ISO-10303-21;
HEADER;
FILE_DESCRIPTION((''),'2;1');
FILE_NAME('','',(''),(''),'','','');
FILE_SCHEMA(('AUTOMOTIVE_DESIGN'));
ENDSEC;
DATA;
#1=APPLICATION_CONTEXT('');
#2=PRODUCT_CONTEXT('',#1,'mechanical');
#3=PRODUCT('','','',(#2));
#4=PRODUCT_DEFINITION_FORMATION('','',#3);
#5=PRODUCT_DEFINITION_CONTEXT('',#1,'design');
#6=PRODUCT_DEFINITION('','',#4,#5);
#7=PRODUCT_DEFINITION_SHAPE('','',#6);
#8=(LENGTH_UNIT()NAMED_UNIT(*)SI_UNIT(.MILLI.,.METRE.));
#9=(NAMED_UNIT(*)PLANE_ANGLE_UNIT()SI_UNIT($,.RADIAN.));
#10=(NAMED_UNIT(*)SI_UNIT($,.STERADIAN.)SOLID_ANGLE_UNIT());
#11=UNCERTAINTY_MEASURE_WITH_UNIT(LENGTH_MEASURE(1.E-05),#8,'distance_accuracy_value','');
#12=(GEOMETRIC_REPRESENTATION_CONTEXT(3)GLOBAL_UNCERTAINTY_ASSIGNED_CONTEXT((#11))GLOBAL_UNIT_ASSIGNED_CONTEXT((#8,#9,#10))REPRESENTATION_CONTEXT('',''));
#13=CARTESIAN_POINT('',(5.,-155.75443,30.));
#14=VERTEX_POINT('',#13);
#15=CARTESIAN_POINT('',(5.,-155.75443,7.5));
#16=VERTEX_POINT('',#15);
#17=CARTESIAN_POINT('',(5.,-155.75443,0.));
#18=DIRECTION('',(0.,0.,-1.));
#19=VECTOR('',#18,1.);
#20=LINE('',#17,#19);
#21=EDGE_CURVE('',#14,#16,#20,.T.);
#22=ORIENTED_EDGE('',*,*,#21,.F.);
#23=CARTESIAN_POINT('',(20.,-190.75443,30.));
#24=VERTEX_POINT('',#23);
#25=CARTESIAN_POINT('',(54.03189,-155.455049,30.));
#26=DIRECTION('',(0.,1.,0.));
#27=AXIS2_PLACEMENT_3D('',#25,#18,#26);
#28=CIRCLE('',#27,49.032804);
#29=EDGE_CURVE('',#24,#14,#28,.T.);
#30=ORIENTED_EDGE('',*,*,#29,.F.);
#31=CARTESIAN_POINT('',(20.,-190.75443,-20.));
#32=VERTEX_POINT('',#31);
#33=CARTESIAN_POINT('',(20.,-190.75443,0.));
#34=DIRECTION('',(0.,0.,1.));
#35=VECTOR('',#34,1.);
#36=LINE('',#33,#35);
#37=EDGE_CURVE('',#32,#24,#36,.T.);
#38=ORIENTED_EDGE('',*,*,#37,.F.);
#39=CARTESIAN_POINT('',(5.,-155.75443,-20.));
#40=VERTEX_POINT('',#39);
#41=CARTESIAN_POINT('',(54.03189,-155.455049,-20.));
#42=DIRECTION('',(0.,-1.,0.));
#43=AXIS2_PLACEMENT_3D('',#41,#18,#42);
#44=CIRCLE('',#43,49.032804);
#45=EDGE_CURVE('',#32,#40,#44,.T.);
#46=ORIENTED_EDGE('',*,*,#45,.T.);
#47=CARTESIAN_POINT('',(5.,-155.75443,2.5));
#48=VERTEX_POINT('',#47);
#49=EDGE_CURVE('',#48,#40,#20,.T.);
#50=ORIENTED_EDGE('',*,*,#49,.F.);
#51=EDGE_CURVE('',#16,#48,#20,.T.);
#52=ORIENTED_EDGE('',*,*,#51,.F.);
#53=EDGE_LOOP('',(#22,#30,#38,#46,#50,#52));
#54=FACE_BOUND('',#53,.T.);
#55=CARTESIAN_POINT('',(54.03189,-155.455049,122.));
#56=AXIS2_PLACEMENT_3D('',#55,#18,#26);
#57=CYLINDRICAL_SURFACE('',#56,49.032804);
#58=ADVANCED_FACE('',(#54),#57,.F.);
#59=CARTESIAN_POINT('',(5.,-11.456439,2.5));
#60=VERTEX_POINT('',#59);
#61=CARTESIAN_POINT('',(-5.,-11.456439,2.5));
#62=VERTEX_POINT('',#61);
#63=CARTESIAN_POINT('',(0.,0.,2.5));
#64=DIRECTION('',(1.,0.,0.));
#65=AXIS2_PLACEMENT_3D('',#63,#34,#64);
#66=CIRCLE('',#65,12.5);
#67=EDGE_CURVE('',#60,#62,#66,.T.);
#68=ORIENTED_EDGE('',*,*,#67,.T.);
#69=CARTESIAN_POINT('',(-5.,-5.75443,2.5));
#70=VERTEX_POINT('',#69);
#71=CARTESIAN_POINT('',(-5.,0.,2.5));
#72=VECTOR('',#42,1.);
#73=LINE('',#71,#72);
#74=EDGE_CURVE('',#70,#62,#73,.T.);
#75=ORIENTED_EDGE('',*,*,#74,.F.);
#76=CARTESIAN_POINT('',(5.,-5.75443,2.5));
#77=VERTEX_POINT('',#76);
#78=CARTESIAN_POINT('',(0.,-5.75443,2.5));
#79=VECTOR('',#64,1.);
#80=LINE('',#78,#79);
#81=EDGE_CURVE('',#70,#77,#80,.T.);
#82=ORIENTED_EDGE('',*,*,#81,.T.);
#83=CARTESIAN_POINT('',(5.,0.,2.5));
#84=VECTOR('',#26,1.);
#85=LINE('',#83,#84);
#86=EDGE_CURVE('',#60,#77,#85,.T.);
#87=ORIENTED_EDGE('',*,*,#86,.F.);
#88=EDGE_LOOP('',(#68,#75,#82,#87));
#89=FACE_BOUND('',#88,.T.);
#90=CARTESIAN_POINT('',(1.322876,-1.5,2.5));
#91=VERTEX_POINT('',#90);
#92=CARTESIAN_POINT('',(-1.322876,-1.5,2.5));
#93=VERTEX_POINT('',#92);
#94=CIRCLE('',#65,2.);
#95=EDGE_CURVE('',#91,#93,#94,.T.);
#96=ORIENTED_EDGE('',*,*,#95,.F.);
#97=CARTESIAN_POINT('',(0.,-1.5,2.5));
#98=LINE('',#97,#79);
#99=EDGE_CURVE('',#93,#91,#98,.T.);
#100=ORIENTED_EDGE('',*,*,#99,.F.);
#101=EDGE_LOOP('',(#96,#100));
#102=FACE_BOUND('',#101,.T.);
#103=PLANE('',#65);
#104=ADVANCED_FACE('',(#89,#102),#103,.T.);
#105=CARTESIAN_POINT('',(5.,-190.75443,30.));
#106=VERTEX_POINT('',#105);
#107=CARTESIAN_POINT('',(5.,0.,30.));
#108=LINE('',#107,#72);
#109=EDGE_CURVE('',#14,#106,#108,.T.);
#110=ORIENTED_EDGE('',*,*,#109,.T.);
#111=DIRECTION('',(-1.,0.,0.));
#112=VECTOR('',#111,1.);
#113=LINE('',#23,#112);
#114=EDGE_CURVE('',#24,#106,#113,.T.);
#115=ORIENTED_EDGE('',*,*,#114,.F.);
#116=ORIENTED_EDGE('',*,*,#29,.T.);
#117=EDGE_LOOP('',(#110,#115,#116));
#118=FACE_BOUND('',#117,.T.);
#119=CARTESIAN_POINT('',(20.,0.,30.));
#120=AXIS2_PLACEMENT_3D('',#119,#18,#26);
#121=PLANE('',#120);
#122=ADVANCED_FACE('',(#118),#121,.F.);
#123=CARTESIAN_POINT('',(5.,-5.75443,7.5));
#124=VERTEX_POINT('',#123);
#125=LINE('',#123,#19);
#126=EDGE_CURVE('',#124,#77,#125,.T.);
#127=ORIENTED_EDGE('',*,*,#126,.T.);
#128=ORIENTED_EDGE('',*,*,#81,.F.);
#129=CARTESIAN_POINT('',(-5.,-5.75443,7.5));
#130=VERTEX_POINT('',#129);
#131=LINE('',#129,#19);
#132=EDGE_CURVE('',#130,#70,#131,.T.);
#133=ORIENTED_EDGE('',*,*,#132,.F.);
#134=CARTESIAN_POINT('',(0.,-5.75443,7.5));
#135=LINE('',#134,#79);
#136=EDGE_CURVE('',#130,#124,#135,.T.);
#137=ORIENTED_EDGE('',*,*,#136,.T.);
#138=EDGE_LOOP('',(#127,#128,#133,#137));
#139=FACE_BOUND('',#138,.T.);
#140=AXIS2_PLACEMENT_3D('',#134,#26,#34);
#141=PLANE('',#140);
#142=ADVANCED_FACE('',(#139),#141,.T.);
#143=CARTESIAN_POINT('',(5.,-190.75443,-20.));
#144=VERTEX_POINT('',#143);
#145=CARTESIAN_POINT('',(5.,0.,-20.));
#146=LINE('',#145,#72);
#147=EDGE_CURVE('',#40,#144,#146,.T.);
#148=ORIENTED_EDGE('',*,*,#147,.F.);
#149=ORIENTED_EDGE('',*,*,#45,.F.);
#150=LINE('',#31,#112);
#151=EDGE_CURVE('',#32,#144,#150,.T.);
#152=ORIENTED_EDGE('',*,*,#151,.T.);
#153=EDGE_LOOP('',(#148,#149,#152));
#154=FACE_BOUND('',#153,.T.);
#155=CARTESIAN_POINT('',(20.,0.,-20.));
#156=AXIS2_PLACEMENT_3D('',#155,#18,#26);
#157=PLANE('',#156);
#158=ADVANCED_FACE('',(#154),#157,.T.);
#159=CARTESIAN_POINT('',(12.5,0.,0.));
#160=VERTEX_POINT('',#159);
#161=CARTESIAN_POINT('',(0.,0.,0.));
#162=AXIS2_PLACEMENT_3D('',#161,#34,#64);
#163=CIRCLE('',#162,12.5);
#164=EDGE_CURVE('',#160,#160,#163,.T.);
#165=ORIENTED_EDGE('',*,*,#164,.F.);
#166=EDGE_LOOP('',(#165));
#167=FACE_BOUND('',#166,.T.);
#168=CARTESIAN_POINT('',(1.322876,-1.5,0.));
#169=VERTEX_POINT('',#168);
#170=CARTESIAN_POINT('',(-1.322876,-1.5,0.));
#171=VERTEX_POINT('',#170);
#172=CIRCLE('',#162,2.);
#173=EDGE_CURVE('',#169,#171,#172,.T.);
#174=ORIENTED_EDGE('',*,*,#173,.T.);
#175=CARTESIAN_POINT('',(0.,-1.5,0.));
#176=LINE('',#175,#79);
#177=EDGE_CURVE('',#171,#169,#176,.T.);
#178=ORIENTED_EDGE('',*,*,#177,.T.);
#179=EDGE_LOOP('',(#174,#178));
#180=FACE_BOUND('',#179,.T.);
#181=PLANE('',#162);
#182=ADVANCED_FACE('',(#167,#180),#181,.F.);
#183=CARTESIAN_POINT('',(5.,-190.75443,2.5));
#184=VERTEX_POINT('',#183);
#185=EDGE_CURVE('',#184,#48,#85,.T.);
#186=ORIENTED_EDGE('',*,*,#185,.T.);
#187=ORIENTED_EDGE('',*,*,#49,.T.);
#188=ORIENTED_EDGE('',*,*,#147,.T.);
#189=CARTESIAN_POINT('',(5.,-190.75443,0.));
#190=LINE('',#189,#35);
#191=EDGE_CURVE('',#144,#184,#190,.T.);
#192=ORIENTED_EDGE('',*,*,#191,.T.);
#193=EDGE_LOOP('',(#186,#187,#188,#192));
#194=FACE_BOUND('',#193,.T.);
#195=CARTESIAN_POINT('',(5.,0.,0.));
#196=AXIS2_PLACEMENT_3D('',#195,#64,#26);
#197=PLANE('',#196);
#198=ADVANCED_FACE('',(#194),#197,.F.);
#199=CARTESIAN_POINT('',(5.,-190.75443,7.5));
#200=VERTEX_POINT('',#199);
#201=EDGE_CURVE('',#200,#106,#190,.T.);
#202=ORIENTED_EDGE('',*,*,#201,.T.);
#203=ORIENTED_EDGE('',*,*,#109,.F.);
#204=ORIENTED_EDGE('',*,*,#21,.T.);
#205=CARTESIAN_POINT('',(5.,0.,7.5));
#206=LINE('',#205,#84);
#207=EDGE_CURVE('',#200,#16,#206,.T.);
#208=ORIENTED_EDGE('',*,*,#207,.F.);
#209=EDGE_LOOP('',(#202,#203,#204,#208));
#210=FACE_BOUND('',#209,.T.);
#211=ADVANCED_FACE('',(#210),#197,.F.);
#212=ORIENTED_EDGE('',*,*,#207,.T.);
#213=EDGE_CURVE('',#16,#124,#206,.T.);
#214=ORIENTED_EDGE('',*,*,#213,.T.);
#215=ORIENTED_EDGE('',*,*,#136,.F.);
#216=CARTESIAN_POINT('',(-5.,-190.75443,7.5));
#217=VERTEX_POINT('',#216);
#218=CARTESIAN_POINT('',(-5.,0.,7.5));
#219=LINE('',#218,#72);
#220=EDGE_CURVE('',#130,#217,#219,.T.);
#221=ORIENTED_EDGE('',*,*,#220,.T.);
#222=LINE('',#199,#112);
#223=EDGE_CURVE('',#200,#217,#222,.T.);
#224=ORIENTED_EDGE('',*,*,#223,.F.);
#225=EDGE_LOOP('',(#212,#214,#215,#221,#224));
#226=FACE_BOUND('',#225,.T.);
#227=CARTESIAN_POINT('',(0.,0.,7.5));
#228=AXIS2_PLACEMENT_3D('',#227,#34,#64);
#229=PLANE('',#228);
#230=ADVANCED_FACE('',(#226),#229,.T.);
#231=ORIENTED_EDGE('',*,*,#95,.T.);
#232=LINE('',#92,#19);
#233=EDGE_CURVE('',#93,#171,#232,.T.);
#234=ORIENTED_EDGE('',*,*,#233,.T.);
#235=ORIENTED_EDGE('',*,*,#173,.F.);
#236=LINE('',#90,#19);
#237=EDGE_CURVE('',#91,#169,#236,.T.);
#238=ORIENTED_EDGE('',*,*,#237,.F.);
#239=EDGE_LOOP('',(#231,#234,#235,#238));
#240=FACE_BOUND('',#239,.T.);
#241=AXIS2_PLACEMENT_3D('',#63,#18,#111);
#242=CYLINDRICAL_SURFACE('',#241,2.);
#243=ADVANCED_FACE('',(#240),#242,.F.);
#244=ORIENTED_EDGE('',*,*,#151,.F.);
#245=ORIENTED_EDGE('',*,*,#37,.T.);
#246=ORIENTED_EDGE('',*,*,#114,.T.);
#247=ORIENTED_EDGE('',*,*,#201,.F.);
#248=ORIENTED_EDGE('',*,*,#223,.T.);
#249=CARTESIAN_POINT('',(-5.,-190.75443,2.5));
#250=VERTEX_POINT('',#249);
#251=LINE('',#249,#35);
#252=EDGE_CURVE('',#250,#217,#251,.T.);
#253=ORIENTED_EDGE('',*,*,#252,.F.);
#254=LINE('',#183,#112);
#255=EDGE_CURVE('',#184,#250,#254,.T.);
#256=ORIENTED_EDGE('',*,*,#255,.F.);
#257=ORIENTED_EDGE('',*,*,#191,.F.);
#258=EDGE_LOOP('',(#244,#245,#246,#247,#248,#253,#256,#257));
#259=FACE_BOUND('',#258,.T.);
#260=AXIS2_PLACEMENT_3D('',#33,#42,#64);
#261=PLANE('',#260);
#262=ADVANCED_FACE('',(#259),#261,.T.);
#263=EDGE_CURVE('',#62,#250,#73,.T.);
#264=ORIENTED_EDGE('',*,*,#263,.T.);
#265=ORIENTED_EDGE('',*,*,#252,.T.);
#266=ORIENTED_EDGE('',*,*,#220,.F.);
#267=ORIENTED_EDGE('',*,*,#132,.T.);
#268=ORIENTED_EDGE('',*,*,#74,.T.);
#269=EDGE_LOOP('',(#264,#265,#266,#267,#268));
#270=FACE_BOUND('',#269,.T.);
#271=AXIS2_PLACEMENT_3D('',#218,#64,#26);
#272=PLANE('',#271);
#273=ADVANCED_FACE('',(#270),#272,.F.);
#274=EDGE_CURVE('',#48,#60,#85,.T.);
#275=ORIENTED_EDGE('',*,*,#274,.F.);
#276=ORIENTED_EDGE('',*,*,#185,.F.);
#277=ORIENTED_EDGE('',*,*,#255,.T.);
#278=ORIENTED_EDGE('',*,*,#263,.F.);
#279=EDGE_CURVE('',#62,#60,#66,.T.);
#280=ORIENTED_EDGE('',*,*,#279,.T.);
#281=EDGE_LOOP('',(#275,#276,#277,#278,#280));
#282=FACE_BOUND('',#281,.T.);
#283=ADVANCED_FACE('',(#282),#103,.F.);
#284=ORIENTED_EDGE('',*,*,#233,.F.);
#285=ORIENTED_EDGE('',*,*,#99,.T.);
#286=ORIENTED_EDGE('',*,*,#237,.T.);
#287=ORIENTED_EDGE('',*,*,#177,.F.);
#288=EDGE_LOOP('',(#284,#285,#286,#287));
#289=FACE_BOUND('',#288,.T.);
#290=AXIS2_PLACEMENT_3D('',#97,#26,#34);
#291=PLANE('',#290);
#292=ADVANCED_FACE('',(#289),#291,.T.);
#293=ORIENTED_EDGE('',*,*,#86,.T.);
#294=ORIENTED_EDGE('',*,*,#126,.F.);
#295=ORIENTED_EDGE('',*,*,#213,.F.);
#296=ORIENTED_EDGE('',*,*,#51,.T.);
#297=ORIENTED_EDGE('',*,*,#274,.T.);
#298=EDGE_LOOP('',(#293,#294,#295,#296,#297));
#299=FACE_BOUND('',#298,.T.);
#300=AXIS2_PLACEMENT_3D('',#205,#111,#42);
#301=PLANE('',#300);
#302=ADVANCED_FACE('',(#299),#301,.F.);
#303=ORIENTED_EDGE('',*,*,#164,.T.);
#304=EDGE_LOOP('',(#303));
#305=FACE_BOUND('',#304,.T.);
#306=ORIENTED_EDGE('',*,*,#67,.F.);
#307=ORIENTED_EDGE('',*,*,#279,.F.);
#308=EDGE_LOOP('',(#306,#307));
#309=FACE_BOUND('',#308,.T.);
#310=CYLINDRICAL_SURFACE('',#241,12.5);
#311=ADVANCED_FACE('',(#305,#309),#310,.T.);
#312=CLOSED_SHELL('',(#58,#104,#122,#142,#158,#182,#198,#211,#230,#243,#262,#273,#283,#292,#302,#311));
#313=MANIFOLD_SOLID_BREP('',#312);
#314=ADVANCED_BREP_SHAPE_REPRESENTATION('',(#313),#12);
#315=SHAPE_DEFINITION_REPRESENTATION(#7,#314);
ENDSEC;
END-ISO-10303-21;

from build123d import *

# Parameters (mm, degrees)
SKETCH2_R           = 12.5
BOSS_EXTRUDE1_DEPTH = 2.5
BOSS_EXTRUDE2_DEPTH = 5
BOSS_EXTRUDE3_DEPTH = 15
SKETCH9_W           = 5
SKETCH9_H           = 25
BOSS_EXTRUDE4_DEPTH = 10
CUT_EXTRUDE1_DEPTH  = 142


with BuildPart() as part:
    # Sketch2 → Boss-Extrude1 (new body)
    with BuildSketch(Plane.XY):
        Circle(SKETCH2_R)
        with BuildLine():
            ThreePointArc((1.322875656, -1.5), (0, 2), (-1.322875656, -1.5))
            Line((-1.322875656, -1.5), (0, -1.5))
            Line((0, -1.5), (1.322875656, -1.5))
        make_face(mode=Mode.SUBTRACT)
    extrude(amount=BOSS_EXTRUDE1_DEPTH)

    # Sketch4 → Boss-Extrude2 (add)
    with BuildSketch(Plane.XY.offset(2.5)):
        Polygon((-5, -165.75443039), (5, -165.75443039), (5, -5.75443039), (0, -5.75443039), (-5, -5.75443039), align=None)
    extrude(amount=BOSS_EXTRUDE2_DEPTH)

    # Sketch5 → Boss-Extrude3 (add)
    with BuildSketch(Plane(origin=(5, 0, 0), x_dir=(0, 0, -1), z_dir=(1, 0, 0))):
        Polygon((20, -155.75443039), (-5, -155.75443039), (-30, -155.75443039), (-30, -190.75443039), (-5, -190.75443039), (20, -190.75443039), align=None)
    extrude(amount=BOSS_EXTRUDE3_DEPTH)

    # Sketch9 → Boss-Extrude4 (add)
    with BuildSketch(Plane.ZY.offset(5)):
        with Locations((5, -178.25443039)):
            Rectangle(SKETCH9_W, SKETCH9_H)
    extrude(amount=-BOSS_EXTRUDE4_DEPTH)

    # Sketch6 → Cut-Extrude1 (cut)
    with BuildSketch(Plane(origin=(0, 0, -20), x_dir=(-1, 0, 0), z_dir=(0, 0, -1))):
        with BuildLine():
            Line((-5, -155.75443039), (-20, -155.75443039))
            Line((-20, -155.75443039), (-20, -190.75443039))
            ThreePointArc((-20, -190.75443039), (-8.963631912, -174.770016714), (-5, -155.75443039))
        make_face()
    extrude(amount=-CUT_EXTRUDE1_DEPTH, mode=Mode.SUBTRACT)


solid = part.part
